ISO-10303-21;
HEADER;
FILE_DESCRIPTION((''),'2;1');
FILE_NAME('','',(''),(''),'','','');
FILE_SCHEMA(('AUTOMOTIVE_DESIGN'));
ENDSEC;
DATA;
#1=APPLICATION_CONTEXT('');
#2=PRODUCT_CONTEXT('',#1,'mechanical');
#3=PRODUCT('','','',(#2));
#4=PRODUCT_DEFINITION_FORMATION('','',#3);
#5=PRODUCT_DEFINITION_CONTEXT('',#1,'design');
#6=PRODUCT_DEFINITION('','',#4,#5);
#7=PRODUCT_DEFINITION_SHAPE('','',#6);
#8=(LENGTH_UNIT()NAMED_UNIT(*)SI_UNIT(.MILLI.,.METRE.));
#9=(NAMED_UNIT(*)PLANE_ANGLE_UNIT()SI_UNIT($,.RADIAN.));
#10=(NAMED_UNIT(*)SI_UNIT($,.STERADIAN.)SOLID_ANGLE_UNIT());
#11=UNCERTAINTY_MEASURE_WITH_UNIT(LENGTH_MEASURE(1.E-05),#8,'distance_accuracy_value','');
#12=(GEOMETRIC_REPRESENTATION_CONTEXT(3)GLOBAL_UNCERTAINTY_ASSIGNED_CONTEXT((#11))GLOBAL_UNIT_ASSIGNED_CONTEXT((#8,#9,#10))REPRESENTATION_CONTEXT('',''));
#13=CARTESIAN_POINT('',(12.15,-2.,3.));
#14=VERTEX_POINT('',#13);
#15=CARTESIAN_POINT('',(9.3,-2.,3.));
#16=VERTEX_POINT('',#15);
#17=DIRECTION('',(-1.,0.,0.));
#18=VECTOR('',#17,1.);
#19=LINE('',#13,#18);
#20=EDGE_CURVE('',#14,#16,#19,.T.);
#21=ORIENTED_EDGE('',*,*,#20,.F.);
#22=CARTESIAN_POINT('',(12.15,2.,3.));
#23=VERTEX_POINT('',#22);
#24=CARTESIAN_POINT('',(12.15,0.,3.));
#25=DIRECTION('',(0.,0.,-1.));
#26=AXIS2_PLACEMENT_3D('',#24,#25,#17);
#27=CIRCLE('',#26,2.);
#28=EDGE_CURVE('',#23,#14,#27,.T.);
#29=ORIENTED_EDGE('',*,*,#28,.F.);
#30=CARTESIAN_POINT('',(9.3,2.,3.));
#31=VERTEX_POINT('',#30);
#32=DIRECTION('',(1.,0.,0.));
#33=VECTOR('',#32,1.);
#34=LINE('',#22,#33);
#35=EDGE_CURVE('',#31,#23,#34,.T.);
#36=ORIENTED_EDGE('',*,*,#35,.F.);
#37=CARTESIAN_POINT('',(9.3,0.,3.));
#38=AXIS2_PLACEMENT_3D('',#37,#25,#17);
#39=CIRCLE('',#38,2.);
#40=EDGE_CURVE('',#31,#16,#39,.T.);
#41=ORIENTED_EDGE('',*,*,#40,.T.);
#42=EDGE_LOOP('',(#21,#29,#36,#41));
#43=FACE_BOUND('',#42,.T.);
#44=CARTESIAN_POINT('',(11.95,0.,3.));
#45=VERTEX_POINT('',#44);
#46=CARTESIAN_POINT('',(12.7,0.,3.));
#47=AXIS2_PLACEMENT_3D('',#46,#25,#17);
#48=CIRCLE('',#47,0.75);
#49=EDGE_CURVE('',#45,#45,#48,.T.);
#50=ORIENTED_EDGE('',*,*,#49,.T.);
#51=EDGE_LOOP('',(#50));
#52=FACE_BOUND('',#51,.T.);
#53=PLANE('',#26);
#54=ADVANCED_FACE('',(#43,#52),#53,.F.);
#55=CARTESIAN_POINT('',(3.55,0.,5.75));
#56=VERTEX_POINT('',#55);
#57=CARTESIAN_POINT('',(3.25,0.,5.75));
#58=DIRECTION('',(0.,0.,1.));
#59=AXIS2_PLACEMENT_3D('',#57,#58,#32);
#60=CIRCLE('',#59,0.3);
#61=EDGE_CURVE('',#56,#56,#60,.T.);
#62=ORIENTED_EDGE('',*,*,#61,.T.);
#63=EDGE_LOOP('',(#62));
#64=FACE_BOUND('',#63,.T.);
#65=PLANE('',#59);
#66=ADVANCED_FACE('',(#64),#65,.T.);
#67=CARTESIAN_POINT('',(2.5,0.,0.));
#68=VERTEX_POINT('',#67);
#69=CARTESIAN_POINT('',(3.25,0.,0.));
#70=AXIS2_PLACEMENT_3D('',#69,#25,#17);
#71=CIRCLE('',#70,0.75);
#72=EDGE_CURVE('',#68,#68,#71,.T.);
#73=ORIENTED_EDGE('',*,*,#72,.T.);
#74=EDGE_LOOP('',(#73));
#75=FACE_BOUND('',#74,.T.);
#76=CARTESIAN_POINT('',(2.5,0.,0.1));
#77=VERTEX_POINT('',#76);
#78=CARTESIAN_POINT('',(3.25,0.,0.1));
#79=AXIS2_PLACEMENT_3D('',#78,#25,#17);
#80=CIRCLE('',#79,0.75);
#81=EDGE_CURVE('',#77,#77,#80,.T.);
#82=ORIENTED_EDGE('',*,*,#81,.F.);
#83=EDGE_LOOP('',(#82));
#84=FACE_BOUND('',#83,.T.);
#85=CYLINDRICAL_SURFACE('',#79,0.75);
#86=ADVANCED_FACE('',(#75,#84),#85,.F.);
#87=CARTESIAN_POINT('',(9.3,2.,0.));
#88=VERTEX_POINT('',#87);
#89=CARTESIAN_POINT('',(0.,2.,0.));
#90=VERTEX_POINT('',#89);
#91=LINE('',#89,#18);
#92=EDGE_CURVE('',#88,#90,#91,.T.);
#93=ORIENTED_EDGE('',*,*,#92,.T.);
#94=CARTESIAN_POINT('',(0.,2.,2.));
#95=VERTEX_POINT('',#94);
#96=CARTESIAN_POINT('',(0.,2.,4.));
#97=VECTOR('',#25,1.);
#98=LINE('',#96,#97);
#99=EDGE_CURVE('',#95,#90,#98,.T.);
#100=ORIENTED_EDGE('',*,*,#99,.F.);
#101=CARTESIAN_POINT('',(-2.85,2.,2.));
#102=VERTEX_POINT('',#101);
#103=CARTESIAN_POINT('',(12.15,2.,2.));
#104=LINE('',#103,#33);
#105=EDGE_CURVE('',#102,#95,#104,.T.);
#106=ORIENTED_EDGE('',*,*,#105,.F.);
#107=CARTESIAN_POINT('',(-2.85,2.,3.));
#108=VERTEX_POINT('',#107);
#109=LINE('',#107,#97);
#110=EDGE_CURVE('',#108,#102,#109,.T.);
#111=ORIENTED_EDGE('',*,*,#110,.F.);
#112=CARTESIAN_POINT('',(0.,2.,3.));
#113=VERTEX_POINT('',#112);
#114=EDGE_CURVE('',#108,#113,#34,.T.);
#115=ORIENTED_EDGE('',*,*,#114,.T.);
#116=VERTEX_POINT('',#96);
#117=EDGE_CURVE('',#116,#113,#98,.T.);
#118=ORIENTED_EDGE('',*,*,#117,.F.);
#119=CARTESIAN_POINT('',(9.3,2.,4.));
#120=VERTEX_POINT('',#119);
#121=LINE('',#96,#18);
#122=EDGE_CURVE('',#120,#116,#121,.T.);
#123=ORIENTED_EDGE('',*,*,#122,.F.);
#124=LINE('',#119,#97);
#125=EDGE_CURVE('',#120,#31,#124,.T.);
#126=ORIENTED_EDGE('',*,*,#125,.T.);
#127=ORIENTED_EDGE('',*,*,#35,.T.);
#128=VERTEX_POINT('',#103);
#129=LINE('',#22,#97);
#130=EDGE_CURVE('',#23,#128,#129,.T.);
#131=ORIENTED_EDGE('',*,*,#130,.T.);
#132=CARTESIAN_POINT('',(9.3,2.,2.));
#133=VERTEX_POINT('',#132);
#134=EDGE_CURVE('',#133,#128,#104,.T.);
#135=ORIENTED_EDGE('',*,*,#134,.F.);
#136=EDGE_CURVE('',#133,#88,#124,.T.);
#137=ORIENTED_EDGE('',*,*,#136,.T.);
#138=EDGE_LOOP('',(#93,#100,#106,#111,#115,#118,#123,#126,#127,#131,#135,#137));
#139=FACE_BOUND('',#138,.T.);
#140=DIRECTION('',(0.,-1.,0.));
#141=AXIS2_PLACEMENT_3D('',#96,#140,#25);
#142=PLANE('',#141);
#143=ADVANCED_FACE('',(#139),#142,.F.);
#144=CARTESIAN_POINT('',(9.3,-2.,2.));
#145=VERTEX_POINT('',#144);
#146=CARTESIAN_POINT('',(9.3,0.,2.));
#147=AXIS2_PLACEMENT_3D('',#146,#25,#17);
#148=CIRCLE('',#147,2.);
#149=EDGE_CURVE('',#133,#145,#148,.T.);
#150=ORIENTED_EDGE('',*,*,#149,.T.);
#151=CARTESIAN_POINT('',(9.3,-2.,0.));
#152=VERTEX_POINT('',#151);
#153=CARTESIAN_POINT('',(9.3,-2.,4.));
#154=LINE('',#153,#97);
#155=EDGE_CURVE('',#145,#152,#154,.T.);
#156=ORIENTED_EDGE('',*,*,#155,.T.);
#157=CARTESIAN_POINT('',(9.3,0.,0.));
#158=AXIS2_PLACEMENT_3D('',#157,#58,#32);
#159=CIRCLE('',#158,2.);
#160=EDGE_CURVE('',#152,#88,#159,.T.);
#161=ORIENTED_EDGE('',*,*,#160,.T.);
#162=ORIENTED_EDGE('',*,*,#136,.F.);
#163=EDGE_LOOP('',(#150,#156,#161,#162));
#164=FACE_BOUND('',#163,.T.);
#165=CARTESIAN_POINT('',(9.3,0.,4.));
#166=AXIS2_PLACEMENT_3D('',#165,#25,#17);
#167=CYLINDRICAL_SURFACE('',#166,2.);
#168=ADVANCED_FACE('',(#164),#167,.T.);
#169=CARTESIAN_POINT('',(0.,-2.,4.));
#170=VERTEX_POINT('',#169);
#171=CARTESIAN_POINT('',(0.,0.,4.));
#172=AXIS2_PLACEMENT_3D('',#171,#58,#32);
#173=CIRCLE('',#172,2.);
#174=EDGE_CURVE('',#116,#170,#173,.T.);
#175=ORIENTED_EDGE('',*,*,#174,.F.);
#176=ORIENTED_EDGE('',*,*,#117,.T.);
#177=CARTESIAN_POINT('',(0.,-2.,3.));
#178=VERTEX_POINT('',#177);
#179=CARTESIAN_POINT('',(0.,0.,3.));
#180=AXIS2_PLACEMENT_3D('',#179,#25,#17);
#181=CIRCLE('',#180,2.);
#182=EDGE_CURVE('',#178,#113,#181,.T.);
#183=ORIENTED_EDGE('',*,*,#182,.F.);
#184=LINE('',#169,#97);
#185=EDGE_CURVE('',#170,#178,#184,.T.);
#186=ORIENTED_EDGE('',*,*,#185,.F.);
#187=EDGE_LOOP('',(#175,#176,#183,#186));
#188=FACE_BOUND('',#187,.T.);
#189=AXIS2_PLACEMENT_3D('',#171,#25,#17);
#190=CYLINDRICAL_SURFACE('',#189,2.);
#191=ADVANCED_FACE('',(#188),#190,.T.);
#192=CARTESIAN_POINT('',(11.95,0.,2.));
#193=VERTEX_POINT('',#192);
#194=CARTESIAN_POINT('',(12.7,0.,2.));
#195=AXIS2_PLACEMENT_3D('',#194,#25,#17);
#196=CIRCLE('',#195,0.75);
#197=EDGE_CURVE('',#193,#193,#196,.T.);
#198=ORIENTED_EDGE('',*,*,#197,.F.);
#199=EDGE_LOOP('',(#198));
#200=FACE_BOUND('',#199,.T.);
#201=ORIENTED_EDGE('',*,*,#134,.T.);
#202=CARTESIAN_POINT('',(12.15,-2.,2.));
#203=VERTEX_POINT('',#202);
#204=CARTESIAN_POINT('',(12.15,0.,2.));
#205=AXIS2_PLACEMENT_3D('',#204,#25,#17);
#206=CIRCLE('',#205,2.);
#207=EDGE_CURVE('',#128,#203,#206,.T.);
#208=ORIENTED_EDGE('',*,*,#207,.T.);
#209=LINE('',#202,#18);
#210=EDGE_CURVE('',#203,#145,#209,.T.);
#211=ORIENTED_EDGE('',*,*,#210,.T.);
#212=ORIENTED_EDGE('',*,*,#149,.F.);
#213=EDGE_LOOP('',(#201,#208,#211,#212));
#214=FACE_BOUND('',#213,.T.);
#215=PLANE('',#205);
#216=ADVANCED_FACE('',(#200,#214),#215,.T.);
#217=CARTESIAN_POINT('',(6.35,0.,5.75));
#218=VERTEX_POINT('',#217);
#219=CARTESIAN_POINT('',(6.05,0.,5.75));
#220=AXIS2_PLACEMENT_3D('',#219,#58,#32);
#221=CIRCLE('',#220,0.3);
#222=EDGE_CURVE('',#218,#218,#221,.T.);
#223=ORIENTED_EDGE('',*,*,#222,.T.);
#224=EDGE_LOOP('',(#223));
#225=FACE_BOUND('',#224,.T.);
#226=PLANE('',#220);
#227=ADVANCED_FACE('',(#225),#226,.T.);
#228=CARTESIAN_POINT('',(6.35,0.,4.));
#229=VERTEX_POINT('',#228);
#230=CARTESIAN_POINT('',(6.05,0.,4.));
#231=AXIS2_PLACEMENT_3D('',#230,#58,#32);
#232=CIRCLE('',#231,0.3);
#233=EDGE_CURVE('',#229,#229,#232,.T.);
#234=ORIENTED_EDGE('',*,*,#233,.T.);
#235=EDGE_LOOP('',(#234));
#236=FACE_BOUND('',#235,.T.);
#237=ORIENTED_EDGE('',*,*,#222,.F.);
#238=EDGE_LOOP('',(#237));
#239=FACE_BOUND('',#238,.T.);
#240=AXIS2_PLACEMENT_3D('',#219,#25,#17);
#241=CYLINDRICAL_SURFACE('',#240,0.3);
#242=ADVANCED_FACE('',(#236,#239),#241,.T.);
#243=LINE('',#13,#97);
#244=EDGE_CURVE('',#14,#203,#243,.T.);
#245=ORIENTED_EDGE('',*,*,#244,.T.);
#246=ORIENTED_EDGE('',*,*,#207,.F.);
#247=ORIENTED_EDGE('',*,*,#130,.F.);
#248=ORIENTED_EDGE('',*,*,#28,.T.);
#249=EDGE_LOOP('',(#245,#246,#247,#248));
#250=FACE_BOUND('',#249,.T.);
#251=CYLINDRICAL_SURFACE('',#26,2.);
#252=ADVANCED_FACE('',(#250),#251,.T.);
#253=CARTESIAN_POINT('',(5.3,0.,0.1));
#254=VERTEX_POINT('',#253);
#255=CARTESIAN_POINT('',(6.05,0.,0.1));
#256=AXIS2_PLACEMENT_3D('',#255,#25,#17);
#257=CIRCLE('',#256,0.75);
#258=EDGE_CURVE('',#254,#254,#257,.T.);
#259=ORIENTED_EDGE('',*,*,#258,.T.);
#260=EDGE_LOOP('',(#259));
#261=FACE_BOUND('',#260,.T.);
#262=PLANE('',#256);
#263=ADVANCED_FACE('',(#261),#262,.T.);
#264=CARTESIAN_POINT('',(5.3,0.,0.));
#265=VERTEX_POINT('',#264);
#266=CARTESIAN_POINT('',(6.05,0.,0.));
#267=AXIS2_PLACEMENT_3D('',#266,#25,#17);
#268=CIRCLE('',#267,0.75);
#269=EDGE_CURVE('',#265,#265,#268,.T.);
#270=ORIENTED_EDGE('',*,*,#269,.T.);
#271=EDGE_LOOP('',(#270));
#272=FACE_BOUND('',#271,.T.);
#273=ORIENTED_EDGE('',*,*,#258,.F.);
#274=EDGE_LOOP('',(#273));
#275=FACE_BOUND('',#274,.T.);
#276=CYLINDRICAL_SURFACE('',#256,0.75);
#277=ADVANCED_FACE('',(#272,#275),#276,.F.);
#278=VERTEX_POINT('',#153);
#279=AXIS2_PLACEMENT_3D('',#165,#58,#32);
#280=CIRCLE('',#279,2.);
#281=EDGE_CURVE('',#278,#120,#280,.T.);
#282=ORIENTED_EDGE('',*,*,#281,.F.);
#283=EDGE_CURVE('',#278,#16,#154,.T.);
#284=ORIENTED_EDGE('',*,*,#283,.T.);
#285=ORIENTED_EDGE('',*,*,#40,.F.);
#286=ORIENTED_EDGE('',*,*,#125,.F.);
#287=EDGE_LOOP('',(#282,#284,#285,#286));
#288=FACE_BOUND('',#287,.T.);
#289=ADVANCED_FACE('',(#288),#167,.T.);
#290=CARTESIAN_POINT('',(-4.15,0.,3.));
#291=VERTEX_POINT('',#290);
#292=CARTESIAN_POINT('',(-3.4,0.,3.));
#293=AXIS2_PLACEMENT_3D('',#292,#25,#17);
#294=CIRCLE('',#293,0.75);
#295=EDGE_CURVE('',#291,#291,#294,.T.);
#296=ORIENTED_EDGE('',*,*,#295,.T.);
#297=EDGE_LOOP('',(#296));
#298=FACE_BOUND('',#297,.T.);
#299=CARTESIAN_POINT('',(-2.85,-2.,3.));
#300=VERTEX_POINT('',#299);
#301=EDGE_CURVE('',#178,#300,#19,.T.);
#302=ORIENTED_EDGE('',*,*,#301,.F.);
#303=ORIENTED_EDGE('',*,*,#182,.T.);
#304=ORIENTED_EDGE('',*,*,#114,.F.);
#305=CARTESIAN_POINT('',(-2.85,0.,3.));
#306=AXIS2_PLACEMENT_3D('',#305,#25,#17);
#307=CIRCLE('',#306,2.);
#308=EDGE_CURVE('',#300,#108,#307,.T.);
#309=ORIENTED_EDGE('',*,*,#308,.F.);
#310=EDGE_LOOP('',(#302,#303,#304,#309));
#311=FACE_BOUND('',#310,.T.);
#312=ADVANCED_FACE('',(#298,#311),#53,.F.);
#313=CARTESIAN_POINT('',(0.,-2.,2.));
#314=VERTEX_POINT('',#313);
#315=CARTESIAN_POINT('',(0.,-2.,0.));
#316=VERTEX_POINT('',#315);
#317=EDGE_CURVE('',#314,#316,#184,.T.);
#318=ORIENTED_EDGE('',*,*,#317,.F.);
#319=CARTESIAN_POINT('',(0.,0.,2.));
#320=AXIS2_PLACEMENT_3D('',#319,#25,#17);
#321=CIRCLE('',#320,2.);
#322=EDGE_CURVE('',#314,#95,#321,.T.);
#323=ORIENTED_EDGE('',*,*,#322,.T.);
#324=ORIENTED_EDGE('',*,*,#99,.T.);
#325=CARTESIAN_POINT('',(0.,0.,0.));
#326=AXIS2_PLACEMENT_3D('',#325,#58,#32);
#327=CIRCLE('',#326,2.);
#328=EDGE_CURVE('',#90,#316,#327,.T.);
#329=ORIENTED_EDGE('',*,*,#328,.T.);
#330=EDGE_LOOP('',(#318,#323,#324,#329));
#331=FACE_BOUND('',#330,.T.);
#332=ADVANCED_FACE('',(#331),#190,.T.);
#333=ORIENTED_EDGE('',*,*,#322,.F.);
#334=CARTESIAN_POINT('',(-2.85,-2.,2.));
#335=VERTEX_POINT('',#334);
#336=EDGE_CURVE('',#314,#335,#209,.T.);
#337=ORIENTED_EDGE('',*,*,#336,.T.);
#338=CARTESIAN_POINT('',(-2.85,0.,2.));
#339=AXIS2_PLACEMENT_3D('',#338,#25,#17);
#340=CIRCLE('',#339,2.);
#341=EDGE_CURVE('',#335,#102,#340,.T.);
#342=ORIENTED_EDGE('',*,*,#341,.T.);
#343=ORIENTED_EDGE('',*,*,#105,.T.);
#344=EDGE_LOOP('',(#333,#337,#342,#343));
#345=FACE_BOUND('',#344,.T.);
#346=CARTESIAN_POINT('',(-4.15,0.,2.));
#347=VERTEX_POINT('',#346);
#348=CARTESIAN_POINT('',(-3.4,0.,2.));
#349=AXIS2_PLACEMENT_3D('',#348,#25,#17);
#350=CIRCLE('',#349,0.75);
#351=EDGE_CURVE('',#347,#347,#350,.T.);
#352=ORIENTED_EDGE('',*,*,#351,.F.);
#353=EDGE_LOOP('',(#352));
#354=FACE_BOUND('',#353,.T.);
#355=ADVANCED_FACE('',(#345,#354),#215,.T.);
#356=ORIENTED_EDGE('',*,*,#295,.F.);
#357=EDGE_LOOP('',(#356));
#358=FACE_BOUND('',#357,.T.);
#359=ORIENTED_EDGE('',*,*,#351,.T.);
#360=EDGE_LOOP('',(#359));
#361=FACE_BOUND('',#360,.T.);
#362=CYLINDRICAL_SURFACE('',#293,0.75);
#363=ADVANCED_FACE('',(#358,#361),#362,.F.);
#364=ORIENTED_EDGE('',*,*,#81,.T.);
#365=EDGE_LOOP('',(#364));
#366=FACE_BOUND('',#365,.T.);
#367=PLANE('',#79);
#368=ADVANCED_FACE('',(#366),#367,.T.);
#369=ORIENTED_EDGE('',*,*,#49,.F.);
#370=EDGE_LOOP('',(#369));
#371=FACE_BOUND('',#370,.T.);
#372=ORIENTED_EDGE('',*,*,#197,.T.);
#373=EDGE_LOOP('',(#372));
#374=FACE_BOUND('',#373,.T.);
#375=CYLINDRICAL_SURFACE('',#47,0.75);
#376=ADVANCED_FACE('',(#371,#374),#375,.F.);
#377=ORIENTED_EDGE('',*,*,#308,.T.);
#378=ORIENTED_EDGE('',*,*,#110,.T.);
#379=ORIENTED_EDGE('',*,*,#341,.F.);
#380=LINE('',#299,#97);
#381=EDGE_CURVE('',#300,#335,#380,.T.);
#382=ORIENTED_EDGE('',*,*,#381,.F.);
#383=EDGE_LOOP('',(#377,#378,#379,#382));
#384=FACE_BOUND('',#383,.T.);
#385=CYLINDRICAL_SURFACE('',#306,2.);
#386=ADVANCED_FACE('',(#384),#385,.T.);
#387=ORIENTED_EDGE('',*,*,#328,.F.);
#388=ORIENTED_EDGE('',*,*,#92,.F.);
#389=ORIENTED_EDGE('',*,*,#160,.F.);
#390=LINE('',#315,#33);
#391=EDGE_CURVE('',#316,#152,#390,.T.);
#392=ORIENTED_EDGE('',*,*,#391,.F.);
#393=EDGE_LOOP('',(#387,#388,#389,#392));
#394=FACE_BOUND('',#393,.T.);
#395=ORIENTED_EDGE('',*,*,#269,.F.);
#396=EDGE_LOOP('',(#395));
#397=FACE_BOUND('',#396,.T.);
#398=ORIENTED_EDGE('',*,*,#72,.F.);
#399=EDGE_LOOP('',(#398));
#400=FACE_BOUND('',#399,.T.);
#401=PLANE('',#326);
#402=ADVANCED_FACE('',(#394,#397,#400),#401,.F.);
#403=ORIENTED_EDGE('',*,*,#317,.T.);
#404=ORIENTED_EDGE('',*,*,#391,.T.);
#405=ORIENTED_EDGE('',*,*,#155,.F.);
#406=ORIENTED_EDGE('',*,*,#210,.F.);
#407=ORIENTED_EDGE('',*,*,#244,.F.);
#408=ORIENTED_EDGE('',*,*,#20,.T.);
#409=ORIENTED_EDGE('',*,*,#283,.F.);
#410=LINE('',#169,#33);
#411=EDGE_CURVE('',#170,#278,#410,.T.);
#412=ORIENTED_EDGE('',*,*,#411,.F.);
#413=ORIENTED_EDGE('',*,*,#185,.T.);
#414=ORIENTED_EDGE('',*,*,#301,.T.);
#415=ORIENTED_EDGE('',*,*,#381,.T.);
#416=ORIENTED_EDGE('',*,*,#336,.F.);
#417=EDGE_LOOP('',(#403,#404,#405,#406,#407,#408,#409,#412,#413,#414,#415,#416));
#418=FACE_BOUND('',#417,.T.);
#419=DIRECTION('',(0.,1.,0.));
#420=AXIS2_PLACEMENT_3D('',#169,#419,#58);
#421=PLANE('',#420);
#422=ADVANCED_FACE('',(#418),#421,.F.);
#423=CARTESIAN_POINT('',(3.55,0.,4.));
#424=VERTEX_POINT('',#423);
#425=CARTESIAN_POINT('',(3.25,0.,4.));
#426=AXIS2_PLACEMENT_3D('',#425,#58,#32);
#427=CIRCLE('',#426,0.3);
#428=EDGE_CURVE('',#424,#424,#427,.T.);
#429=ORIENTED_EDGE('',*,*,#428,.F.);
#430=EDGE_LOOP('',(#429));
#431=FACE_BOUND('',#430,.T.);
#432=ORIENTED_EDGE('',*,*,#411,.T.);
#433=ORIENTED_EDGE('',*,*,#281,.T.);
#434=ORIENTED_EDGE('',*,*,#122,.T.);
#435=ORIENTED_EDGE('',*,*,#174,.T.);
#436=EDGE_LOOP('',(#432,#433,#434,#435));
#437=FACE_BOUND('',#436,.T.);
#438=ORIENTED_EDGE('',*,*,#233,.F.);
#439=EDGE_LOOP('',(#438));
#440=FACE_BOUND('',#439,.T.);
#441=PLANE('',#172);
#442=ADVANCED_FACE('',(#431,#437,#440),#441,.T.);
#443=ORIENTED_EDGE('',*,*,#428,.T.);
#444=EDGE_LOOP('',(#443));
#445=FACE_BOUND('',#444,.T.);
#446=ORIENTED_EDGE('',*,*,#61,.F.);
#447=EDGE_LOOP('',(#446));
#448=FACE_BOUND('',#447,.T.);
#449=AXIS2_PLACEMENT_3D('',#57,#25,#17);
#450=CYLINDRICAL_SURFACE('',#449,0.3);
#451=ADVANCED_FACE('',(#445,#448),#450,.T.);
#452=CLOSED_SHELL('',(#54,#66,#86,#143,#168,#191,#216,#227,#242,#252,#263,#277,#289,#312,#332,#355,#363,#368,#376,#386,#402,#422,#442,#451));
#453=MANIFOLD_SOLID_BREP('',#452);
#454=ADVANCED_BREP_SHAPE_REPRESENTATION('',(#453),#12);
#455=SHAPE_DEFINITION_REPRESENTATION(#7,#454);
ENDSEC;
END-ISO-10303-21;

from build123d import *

# Parameters (mm, degrees)
EXTRUDE_1_DEPTH     = 4
EXTRUDE_START       = -2
SKETCH_2_R          = 0.75
EXTRUDE_2_DEPTH     = 1
SKETCH_3_R          = 0.75
CUT_EXTRUDE_1_DEPTH = 0.1
SKETCH_4_R          = 0.3
EXTRUDE_3_DEPTH     = 1.75


with BuildPart() as part:
    # 草图1 → 凸台-拉伸1 (new body)
    with BuildSketch(Plane.XY):
        with BuildLine():
            Line((0, 2), (9.3, 2))
            ThreePointArc((9.3, 2), (11.3, 0), (9.3, -2))
            Line((9.3, -2), (0, -2))
            ThreePointArc((0, -2), (-2, 0), (0, 2))
        make_face()
    extrude(amount=EXTRUDE_1_DEPTH)

    # 草图2 → 凸台-拉伸2 (add)
    with BuildSketch(Plane(origin=(0, 0, 0), x_dir=(-1, 0, 0), z_dir=(0, 0, -1)).offset(EXTRUDE_START)):
        with BuildLine():
            Line((-12.15, 2), (2.85, 2))
            ThreePointArc((2.85, 2), (4.85, 0), (2.85, -2))
            Line((2.85, -2), (-12.15, -2))
            ThreePointArc((-12.15, -2), (-14.15, 0), (-12.15, 2))
        make_face()
        with Locations((-12.7, 0)):
            Circle(SKETCH_2_R, mode=Mode.SUBTRACT)
        with Locations((3.4, 0)):
            Circle(SKETCH_2_R, mode=Mode.SUBTRACT)
    extrude(amount=-EXTRUDE_2_DEPTH)

    # 草图3 → 切除-拉伸1 (cut)
    with BuildSketch(Plane(origin=(0, 0, 0), x_dir=(-1, 0, 0), z_dir=(0, 0, -1))):
        with Locations((-6.05, 0)):
            Circle(SKETCH_3_R)
        with Locations((-3.25, 0)):
            Circle(SKETCH_3_R)
    extrude(amount=-CUT_EXTRUDE_1_DEPTH, mode=Mode.SUBTRACT)

    # 草图4 → 凸台-拉伸3 (add)
    with BuildSketch(Plane.XY.offset(4)):
        with Locations((3.25, 0)):
            Circle(SKETCH_4_R)
        with Locations((6.05, 0)):
            Circle(SKETCH_4_R)
    extrude(amount=EXTRUDE_3_DEPTH)


solid = part.part
